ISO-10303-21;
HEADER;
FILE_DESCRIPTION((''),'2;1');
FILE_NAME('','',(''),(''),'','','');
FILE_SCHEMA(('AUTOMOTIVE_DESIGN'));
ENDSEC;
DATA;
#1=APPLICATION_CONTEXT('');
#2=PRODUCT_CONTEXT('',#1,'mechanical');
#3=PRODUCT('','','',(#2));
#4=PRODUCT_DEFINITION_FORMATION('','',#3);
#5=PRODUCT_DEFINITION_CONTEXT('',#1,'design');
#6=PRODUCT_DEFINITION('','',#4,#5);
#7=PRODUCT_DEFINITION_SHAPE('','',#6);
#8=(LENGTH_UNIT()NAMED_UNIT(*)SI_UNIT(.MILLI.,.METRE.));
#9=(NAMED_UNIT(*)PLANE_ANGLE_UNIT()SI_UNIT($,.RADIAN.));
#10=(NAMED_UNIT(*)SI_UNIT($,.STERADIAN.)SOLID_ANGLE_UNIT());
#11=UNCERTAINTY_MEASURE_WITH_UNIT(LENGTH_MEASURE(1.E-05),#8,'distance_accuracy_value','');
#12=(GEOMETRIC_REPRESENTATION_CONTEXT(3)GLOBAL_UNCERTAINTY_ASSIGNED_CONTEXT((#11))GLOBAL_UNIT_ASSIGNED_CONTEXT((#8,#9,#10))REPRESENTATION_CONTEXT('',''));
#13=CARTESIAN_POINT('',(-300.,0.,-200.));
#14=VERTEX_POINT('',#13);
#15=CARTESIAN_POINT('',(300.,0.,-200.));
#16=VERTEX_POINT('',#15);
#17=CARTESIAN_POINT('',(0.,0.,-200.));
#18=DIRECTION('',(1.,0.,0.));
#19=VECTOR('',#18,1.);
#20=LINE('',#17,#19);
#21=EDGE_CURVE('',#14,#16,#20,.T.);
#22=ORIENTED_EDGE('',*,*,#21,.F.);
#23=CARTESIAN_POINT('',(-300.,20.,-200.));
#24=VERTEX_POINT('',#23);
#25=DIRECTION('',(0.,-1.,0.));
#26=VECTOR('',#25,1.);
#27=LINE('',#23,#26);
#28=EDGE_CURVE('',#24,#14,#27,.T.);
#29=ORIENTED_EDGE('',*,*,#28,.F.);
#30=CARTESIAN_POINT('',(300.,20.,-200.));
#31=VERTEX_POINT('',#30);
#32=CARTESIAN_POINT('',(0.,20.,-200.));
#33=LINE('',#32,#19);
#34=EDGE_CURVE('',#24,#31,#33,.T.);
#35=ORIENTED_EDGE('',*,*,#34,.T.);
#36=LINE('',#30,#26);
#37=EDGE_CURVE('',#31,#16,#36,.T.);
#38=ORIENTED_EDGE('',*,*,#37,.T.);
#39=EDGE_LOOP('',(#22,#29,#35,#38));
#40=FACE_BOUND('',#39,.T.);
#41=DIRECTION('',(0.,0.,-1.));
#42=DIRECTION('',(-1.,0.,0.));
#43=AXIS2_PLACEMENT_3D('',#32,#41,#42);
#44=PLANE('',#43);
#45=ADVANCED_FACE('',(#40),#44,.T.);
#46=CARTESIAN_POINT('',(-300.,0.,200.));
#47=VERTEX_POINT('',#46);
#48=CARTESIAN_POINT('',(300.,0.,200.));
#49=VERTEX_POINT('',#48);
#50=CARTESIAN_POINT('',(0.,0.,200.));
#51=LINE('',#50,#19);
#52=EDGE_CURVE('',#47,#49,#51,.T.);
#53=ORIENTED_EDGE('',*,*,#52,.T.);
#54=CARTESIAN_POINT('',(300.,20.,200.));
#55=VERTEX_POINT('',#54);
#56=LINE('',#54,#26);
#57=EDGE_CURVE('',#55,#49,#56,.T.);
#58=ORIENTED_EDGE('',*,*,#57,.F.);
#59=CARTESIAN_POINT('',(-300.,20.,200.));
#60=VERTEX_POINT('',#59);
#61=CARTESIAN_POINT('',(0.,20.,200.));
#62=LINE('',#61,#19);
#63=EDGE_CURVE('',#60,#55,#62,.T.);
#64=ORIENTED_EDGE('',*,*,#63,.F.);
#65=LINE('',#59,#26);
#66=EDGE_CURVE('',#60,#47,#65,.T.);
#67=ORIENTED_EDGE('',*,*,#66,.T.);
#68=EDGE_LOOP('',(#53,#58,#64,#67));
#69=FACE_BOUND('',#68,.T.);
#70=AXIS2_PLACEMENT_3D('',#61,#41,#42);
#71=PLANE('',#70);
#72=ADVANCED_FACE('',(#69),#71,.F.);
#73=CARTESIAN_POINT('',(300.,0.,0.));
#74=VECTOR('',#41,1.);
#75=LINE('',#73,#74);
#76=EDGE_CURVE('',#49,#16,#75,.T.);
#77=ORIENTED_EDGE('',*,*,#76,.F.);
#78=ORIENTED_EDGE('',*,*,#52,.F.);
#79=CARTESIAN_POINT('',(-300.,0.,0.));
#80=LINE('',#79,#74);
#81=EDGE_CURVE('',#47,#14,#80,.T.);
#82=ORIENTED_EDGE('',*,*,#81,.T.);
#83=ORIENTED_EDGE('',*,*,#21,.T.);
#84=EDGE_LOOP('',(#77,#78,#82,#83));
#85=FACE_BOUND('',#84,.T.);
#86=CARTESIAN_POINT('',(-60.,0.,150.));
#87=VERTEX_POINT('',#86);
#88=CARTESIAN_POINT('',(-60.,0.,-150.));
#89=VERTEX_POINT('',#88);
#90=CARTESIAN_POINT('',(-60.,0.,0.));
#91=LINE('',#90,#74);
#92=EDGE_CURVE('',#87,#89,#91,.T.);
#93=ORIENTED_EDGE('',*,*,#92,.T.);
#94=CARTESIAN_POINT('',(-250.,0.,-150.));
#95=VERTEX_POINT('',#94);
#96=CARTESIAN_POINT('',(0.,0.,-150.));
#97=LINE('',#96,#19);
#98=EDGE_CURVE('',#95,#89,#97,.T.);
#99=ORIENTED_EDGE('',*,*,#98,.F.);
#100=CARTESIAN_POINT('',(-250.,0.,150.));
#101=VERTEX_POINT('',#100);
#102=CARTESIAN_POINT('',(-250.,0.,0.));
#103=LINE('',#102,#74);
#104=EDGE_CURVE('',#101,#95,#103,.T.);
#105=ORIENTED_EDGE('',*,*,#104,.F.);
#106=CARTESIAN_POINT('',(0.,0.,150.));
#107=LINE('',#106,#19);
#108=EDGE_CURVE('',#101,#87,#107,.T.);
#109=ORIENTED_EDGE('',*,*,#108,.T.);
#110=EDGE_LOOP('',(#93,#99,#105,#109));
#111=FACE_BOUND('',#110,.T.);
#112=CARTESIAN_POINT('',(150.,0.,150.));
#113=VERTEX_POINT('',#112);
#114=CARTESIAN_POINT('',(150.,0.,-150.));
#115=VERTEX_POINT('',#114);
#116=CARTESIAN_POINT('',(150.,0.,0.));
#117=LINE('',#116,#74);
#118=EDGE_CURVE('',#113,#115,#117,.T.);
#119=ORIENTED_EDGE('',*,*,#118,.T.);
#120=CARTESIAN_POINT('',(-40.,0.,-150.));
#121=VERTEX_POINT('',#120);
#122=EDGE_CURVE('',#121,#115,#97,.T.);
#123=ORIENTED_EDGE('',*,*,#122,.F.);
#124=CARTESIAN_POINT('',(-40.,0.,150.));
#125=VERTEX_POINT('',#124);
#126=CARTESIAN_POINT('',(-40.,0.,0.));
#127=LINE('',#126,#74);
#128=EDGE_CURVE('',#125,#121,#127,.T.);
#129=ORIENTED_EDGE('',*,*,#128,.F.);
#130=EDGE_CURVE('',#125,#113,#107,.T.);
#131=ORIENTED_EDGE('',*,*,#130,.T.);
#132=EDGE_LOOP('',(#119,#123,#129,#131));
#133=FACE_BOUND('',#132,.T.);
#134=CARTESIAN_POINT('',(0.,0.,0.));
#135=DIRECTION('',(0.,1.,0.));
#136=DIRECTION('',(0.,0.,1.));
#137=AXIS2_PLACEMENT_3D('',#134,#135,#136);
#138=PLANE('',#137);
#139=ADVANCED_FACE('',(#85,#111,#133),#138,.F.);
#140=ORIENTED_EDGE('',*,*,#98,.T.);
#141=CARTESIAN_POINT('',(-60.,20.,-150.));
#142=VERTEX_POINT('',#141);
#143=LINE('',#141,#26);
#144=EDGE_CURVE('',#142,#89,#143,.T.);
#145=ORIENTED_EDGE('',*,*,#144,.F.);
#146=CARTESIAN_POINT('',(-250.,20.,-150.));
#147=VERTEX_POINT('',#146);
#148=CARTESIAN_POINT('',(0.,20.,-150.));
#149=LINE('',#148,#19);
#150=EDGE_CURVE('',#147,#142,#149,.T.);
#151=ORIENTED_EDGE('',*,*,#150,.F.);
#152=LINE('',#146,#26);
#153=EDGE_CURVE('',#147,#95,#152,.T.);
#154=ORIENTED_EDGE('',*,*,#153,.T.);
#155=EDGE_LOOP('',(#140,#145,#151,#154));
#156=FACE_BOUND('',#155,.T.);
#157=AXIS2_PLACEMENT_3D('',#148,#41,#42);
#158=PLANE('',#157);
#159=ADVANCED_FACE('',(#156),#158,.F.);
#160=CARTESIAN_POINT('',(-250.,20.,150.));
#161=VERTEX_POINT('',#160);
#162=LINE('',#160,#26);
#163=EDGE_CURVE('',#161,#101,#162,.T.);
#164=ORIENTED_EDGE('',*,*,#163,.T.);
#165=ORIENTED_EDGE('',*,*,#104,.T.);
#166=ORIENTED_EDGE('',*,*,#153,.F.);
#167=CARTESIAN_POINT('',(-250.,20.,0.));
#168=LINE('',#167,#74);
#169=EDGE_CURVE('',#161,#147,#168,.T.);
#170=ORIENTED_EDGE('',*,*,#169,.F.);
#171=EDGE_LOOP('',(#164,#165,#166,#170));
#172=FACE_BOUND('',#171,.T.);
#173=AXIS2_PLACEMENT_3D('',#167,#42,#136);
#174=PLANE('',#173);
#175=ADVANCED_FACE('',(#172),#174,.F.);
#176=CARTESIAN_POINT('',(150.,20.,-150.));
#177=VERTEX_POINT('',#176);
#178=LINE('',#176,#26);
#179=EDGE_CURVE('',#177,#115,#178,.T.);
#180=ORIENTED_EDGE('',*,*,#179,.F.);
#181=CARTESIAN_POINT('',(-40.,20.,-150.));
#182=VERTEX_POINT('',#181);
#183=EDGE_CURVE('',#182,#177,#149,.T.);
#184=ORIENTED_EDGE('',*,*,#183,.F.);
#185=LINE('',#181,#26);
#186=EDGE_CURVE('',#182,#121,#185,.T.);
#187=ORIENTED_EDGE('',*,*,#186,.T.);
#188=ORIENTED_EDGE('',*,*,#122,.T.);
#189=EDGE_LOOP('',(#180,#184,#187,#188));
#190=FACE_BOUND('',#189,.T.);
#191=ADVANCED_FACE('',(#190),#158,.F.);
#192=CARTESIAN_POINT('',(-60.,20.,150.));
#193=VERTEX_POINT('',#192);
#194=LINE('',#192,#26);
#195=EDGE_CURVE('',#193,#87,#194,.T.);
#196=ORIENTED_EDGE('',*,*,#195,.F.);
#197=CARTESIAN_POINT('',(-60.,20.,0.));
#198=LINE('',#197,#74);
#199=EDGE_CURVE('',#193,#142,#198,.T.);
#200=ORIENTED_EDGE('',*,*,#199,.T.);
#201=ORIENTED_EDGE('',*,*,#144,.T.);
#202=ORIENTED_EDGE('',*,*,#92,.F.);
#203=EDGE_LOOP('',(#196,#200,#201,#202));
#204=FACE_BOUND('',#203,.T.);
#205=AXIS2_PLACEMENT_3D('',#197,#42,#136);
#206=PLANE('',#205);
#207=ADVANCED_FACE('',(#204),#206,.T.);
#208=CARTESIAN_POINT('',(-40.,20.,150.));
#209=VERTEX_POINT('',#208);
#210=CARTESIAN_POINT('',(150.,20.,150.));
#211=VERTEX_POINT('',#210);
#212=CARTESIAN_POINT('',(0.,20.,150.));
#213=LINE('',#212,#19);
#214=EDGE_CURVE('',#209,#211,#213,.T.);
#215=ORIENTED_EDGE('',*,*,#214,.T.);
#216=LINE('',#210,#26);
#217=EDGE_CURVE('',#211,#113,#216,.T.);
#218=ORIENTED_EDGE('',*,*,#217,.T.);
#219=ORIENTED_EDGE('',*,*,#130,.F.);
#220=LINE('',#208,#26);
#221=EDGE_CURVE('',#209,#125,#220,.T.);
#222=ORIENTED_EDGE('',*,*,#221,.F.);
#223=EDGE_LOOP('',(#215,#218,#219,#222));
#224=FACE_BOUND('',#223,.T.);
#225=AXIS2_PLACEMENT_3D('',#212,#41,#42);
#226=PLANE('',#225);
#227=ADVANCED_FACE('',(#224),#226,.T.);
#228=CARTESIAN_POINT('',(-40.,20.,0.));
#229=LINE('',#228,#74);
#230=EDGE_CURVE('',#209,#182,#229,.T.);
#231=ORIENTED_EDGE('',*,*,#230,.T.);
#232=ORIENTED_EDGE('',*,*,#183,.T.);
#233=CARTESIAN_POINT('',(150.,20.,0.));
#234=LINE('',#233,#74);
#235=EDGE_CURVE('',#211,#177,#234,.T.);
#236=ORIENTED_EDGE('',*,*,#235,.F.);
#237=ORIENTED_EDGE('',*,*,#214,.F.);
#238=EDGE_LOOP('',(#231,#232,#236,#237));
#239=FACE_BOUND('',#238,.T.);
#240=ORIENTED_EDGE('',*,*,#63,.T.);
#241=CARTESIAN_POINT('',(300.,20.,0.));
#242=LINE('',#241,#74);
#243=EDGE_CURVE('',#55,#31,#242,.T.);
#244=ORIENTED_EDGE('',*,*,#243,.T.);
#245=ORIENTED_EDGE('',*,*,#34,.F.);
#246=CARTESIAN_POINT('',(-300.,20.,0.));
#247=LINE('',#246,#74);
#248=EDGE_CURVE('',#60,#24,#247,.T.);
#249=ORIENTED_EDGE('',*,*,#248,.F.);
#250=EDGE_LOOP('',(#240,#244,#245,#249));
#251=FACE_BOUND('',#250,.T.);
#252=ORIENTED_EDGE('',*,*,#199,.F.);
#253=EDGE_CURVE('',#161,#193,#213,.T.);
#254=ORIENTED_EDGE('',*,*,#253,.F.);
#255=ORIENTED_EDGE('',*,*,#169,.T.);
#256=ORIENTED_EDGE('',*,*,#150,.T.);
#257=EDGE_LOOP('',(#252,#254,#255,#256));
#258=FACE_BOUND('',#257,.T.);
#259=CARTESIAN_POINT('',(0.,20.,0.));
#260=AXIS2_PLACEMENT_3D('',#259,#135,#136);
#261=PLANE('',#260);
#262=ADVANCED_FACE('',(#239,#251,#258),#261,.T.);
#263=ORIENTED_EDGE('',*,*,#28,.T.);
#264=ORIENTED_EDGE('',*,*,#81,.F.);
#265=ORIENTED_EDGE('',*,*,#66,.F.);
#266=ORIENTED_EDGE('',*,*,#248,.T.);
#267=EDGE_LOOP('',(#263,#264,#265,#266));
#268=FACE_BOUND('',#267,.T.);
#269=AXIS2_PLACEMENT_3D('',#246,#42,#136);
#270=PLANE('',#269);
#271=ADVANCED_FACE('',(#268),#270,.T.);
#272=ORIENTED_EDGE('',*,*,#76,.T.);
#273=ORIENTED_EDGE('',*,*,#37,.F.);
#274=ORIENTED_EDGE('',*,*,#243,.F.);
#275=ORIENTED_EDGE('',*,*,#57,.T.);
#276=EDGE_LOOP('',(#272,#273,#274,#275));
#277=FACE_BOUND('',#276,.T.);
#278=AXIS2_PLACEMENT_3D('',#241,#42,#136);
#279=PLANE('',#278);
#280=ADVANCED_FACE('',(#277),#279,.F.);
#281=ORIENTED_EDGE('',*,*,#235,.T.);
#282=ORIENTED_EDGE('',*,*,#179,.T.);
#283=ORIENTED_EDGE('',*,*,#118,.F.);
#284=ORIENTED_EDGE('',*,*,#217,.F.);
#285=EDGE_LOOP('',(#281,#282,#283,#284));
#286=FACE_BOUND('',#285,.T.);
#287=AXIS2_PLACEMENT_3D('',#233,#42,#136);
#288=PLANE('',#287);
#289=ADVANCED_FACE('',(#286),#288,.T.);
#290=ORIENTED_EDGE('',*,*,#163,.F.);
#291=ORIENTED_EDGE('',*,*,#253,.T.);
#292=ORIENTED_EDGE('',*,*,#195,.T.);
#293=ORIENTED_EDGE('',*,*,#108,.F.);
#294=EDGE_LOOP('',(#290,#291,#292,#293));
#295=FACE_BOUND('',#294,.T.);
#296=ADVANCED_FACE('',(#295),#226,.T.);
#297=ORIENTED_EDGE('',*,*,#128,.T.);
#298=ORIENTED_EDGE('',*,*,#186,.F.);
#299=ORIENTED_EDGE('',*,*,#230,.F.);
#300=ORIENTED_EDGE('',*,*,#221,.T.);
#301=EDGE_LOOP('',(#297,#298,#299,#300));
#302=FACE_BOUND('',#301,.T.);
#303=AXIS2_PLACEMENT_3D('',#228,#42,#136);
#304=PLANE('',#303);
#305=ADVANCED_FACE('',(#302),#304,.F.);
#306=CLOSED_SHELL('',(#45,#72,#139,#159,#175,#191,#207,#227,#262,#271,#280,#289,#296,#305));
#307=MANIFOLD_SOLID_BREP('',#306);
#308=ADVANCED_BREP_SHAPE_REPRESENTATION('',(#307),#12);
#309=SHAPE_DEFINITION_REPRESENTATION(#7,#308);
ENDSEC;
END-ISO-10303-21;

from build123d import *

# Parameters (mm, degrees)
SKETCH1_W           = 600
SKETCH1_H           = 400
BOSS_EXTRUDE2_DEPTH = 20
SKETCH1_10_W        = 190
SKETCH1_10_H        = 300
BOSS_EXTRUDE5_DEPTH = 20


with BuildPart() as part:
    # Sketch1 → Boss-Extrude2 (new body)
    with BuildSketch(Plane(origin=(0, 0, 0), x_dir=(1, 0, 0), z_dir=(0, 1, 0))):
        Rectangle(SKETCH1_W, SKETCH1_H)
        Polygon((-270, -170), (-270, 170), (170, 170), (170, 150), (170, -150), (170, -170), align=None, mode=Mode.SUBTRACT)
    extrude(amount=BOSS_EXTRUDE2_DEPTH)

    # Sketch1<10> → Boss-Extrude5 (add)
    with BuildSketch(Plane(origin=(0, 0, 0), x_dir=(1, 0, 0), z_dir=(0, 1, 0))):
        Polygon((170, 170), (-270, 170), (-270, -170), (170, -170), (170, -150), (170, 150), align=None)
        with Locations((-155, 0)):
            Rectangle(SKETCH1_10_W, SKETCH1_10_H, mode=Mode.SUBTRACT)
        with Locations((55, 0)):
            Rectangle(SKETCH1_10_W, SKETCH1_10_H, mode=Mode.SUBTRACT)
    extrude(amount=BOSS_EXTRUDE5_DEPTH)


solid = part.part
